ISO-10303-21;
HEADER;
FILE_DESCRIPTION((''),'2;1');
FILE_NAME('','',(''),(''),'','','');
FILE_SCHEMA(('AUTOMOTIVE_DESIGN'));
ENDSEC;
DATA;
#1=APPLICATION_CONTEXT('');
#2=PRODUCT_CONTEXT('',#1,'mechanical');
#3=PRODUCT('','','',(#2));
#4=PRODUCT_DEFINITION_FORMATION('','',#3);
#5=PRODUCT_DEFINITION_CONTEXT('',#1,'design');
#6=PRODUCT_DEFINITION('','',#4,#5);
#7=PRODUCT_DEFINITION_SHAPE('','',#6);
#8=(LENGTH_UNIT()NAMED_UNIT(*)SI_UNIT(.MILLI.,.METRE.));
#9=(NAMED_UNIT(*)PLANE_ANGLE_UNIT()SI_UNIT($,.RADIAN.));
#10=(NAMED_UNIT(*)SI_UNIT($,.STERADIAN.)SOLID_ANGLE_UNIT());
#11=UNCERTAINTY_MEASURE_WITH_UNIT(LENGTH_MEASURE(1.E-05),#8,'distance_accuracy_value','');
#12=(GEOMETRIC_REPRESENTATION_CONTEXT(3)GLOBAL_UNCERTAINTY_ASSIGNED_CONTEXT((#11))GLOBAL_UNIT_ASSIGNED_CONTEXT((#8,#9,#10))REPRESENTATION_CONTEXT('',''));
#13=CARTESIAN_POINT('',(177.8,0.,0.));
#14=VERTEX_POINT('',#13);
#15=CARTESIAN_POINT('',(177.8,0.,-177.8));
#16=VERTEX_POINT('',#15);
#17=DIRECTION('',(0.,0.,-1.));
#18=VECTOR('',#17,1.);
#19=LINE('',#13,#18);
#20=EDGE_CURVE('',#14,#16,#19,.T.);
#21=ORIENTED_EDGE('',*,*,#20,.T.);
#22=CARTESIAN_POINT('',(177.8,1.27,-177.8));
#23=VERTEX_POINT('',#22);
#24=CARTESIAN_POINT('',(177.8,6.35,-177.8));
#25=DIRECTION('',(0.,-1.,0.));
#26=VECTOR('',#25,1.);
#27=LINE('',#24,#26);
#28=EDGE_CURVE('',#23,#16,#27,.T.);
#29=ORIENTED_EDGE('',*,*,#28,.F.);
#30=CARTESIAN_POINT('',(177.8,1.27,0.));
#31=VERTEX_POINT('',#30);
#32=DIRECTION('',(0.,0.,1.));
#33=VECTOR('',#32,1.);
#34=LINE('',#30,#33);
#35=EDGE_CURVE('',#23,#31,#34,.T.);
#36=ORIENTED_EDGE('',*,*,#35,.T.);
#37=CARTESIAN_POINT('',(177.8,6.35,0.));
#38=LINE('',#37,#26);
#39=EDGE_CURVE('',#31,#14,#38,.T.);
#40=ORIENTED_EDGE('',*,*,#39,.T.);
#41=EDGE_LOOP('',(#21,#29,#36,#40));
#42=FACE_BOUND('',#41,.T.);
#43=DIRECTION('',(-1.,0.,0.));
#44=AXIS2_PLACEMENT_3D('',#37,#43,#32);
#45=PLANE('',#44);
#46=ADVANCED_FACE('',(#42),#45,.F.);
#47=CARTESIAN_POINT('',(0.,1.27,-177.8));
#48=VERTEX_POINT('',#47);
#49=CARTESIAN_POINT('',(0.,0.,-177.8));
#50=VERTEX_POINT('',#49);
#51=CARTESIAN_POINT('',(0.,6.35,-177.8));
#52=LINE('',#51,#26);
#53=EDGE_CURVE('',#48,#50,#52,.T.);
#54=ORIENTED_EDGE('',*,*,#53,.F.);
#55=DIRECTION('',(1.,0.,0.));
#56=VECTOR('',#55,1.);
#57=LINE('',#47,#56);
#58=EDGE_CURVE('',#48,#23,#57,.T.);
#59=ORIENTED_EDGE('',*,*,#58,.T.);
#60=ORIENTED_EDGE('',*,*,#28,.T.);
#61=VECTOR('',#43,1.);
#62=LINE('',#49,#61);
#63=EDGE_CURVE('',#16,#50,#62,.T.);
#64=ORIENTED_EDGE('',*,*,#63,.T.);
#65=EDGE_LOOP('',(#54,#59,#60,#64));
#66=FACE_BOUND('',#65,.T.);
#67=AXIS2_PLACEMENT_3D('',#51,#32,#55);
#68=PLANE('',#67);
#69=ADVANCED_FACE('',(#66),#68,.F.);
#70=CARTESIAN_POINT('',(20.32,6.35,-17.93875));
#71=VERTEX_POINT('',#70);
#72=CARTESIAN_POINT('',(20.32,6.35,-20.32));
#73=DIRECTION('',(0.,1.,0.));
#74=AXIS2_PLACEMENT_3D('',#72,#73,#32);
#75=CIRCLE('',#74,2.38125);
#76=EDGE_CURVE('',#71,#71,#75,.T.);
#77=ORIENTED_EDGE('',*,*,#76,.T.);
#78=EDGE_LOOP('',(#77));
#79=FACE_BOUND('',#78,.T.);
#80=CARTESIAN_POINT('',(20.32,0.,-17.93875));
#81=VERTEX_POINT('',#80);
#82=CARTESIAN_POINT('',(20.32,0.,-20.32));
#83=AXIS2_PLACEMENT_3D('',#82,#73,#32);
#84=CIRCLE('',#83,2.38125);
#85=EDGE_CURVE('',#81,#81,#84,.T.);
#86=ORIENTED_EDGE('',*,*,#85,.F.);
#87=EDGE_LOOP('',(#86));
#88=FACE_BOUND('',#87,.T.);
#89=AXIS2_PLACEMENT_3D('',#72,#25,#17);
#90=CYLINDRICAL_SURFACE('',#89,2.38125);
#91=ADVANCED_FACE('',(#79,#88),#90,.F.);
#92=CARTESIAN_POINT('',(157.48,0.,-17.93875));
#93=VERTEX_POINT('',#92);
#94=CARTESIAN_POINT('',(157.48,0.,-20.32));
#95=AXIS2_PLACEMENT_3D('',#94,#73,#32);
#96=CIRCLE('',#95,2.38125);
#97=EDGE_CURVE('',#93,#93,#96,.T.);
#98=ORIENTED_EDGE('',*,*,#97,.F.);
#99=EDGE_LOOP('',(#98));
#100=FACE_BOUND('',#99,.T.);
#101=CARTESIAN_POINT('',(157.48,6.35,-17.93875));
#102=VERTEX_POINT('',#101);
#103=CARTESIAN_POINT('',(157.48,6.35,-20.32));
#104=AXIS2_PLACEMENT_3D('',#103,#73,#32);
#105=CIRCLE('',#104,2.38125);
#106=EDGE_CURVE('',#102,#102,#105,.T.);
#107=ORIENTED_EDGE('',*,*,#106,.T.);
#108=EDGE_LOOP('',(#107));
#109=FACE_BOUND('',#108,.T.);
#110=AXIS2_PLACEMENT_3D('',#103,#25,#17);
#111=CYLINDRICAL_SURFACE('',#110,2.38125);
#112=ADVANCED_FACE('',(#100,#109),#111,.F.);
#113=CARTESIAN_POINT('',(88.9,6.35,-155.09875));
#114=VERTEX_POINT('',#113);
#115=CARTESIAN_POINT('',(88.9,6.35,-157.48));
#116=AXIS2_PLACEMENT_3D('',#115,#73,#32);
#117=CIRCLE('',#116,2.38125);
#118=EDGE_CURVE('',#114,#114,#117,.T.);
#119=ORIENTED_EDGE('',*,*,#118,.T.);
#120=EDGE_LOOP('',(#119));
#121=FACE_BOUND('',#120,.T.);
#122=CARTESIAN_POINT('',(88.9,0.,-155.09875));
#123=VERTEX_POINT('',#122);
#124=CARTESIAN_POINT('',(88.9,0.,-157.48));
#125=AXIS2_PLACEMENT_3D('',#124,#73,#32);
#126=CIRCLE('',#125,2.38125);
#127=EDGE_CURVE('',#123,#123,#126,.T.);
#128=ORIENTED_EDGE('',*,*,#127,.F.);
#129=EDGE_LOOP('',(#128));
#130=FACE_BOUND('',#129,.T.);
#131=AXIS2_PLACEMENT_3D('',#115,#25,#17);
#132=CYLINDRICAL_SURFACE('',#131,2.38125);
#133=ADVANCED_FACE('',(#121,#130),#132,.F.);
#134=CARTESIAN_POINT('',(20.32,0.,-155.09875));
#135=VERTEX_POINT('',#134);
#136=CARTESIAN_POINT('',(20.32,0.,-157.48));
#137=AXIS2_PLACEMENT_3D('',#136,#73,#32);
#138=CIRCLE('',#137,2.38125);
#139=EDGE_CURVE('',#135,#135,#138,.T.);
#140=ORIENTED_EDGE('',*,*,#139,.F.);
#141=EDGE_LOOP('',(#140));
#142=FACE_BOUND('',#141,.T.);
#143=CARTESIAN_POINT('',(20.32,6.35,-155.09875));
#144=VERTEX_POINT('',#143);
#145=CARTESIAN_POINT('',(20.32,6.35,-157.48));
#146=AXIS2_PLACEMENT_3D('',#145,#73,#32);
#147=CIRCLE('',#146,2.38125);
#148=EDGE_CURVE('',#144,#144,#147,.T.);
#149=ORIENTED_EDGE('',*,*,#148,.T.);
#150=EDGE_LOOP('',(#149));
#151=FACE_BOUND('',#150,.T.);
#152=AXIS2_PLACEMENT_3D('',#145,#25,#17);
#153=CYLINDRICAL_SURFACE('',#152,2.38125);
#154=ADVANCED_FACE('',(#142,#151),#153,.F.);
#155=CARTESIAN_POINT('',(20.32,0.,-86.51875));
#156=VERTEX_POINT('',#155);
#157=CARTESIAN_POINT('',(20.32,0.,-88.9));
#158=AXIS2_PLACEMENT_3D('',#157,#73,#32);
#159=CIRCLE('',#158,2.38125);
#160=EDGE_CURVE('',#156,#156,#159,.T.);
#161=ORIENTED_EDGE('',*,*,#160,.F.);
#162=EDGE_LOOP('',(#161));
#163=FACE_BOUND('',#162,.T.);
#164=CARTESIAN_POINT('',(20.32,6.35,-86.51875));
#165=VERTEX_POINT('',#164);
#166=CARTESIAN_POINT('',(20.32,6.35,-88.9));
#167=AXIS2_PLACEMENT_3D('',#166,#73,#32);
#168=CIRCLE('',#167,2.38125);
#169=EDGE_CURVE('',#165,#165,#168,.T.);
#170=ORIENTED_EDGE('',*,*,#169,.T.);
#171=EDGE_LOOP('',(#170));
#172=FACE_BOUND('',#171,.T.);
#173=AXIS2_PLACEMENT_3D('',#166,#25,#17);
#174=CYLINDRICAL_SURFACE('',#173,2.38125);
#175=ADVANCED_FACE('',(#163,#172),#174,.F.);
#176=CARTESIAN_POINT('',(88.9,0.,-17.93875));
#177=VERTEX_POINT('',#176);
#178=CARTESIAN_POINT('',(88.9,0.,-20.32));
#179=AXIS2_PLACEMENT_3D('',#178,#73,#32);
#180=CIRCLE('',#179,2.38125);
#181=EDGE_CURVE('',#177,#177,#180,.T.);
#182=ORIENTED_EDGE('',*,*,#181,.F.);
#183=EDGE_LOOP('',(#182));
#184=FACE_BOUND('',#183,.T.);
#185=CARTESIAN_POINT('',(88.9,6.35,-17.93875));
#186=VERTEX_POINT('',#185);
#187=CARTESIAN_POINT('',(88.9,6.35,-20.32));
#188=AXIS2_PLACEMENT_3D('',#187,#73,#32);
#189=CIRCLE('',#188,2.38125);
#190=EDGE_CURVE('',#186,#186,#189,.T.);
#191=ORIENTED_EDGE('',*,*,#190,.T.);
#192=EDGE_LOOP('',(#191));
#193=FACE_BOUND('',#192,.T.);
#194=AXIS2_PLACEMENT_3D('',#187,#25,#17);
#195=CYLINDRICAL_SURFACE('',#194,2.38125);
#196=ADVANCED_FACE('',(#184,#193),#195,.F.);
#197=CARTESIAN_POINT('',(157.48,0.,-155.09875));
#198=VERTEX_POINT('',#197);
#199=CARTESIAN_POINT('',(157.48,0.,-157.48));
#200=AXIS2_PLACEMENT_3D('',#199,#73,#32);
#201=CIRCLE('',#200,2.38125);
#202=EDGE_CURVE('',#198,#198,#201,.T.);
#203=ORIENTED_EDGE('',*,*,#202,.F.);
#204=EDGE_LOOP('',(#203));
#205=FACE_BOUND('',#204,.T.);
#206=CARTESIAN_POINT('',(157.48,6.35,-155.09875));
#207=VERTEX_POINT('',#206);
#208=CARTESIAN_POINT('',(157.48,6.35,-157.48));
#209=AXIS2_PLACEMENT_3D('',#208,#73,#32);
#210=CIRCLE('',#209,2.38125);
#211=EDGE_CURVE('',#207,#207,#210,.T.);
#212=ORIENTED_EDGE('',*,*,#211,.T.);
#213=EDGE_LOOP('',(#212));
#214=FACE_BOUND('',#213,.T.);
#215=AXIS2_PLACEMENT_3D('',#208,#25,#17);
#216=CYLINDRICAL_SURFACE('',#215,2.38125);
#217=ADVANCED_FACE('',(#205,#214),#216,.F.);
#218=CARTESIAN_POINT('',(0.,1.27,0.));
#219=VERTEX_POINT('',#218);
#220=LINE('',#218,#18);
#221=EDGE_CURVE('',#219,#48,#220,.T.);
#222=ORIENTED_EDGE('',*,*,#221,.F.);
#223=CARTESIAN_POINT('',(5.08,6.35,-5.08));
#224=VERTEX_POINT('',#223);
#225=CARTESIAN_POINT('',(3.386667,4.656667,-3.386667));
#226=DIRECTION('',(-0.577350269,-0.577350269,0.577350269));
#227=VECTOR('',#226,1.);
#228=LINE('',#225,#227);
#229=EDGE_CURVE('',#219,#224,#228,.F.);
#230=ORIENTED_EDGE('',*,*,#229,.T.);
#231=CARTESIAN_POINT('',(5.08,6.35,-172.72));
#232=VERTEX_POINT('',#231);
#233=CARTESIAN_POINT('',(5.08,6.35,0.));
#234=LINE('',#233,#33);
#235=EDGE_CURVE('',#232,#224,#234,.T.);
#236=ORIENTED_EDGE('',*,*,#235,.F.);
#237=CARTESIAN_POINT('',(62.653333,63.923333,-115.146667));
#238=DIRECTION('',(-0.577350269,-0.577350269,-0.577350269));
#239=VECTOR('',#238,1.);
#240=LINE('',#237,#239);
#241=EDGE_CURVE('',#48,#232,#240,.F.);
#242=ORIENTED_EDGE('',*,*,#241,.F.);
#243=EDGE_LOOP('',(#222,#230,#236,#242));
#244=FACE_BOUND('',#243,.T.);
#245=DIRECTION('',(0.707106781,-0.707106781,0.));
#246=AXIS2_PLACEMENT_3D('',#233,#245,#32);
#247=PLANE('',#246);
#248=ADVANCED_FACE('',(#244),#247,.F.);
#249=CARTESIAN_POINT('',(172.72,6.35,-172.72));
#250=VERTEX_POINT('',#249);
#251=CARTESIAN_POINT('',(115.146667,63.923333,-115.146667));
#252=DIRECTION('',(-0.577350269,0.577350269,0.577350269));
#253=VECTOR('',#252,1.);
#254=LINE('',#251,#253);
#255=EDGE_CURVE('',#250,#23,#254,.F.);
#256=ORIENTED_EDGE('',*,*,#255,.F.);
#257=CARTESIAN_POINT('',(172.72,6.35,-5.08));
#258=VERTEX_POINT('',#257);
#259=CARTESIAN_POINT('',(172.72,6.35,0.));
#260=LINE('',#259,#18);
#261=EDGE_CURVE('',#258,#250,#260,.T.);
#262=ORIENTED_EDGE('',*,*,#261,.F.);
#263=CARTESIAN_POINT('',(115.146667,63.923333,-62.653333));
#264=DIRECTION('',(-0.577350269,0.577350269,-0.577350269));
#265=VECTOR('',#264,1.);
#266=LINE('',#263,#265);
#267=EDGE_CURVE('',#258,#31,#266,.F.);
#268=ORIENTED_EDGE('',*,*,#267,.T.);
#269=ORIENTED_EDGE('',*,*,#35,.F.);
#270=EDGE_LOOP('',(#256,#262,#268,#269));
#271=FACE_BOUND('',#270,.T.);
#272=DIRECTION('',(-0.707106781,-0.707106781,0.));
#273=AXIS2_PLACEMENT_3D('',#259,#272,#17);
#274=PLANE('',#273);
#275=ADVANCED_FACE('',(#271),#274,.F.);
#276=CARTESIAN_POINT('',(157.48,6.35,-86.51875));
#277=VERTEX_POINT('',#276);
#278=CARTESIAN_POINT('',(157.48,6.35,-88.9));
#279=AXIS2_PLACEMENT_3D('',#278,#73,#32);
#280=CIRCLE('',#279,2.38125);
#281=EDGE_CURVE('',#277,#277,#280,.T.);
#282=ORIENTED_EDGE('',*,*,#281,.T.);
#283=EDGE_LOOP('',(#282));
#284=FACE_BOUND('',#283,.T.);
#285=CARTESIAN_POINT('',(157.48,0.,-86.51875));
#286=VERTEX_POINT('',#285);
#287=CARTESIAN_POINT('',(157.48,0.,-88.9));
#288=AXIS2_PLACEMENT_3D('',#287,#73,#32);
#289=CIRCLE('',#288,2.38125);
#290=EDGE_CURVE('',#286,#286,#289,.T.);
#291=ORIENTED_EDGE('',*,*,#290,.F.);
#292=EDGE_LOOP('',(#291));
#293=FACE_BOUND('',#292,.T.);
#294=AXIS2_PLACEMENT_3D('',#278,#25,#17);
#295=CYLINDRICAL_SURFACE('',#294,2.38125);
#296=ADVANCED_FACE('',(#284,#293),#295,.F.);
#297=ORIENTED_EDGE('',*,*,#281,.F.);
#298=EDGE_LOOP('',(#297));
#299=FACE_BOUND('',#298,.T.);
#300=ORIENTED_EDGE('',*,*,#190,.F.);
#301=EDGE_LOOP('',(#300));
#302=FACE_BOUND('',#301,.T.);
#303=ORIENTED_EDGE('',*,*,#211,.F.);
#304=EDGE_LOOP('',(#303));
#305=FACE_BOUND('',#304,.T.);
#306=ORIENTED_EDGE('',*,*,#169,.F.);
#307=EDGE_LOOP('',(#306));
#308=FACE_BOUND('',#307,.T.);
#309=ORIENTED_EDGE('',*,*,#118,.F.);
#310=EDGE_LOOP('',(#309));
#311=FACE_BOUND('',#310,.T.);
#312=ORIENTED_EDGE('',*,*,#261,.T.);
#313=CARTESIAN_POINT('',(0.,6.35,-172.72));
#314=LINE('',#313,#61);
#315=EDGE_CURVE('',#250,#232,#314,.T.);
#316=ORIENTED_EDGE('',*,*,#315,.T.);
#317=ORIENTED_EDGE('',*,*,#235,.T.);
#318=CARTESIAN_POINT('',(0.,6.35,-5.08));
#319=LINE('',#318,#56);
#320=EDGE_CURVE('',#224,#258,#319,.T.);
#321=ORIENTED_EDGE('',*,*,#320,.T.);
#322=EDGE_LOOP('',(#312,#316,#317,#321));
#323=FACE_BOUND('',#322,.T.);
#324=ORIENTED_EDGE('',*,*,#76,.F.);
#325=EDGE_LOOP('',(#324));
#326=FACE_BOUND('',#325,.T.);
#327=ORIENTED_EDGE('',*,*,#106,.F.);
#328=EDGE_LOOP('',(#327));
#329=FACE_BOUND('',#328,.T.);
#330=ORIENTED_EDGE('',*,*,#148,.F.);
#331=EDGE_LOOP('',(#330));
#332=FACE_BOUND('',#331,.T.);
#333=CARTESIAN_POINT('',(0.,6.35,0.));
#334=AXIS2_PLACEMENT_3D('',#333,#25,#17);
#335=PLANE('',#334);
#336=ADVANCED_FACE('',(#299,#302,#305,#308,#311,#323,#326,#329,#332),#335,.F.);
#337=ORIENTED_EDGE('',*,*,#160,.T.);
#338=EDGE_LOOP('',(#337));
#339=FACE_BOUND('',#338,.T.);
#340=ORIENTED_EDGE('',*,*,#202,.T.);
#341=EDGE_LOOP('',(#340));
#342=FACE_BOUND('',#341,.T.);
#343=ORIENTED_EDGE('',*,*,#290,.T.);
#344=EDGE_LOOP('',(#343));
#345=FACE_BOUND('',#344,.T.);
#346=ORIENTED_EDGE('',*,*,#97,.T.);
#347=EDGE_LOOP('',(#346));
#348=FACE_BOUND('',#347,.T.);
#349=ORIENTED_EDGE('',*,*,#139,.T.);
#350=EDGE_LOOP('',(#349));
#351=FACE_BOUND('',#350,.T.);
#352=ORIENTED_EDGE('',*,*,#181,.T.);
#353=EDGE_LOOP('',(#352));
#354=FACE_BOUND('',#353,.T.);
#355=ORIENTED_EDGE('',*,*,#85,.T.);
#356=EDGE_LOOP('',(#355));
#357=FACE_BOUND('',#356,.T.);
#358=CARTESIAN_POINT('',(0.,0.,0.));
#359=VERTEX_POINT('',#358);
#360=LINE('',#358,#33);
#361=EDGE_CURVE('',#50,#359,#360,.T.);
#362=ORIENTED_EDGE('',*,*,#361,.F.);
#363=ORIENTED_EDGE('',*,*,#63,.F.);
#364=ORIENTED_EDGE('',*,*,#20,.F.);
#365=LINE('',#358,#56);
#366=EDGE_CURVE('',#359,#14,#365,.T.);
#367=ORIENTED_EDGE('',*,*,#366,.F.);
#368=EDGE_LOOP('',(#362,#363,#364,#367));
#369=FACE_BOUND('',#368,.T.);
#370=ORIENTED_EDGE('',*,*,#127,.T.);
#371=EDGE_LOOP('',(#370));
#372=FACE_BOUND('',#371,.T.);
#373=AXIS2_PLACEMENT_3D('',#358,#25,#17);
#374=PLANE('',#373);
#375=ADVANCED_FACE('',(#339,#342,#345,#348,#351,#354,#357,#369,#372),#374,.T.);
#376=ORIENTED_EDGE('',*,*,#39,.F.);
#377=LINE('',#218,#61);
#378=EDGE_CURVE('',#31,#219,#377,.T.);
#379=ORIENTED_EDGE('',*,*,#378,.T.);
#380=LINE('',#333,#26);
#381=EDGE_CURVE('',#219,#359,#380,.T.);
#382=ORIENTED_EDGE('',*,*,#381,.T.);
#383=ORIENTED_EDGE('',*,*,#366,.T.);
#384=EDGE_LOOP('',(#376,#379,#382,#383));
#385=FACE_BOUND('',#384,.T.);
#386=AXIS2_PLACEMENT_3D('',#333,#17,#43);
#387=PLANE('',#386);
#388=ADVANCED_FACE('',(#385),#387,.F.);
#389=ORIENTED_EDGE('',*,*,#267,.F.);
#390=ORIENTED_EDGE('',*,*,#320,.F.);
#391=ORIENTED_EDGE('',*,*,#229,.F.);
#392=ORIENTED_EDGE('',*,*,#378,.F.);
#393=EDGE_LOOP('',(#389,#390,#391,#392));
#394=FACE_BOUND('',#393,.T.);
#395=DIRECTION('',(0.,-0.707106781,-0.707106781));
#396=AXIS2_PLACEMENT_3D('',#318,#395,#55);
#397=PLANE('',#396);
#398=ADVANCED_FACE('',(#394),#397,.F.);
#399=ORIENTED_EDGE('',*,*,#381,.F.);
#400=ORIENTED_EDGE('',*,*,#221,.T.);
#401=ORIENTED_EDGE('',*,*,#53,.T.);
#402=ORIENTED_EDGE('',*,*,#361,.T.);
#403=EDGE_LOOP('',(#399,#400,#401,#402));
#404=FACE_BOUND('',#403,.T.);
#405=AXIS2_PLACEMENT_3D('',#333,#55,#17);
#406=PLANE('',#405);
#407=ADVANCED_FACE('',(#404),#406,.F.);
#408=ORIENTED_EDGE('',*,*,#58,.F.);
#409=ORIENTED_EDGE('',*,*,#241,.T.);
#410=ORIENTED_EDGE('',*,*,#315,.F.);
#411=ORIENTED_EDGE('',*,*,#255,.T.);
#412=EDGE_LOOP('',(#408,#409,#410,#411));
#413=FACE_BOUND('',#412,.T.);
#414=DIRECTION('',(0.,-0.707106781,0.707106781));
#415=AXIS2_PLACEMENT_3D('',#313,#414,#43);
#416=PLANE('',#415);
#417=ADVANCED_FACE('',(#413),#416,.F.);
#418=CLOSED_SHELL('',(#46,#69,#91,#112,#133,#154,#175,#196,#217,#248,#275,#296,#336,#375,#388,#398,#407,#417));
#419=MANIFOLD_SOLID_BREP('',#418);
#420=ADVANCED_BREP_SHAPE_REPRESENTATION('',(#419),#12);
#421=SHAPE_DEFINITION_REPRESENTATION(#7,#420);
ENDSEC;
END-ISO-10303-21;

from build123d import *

# Parameters (mm, degrees)
SKETCH1_W           = 177.8
SKETCH1_H           = 177.8
SKETCH1_R           = 2.38125
BOSS_EXTRUDE1_DEPTH = 6.35
CHAMFER1_SIZE       = 5.08


with BuildPart() as part:
    # Sketch1 → Boss-Extrude1 (new body)
    with BuildSketch(Plane(origin=(0, 0, 0), x_dir=(1, 0, 0), z_dir=(0, 1, 0))):
        with Locations((88.9, 88.9)):
            Rectangle(SKETCH1_W, SKETCH1_H)
        with Locations(Location((20.32, 157.48, 0), (0, 0, 270))):
            Circle(SKETCH1_R, mode=Mode.SUBTRACT)
        with Locations(Location((88.9, 157.48, 0), (0, 0, 270))):
            Circle(SKETCH1_R, mode=Mode.SUBTRACT)
        with Locations(Location((157.48, 157.48, 0), (0, 0, 270))):
            Circle(SKETCH1_R, mode=Mode.SUBTRACT)
        with Locations(Location((20.32, 88.9, 0), (0, 0, 270))):
            Circle(SKETCH1_R, mode=Mode.SUBTRACT)
        with Locations(Location((20.32, 20.32, 0), (0, 0, 270))):
            Circle(SKETCH1_R, mode=Mode.SUBTRACT)
        with Locations(Location((88.9, 20.32, 0), (0, 0, 270))):
            Circle(SKETCH1_R, mode=Mode.SUBTRACT)
        with Locations(Location((157.48, 88.9, 0), (0, 0, 270))):
            Circle(SKETCH1_R, mode=Mode.SUBTRACT)
        with Locations(Location((157.48, 20.32, 0), (0, 0, 270))):
            Circle(SKETCH1_R, mode=Mode.SUBTRACT)
    extrude(amount=BOSS_EXTRUDE1_DEPTH)

    # Chamfer1
    chamfer1_edges = [part.edges().sort_by_distance(p)[0] for p in [
        (177.8, 6.35, -88.9),
        (88.9, 6.35, -177.8),
        (0, 6.35, -88.9),
        (88.9, 6.35, 0),
    ]]
    chamfer(chamfer1_edges, length=CHAMFER1_SIZE)


solid = part.part
